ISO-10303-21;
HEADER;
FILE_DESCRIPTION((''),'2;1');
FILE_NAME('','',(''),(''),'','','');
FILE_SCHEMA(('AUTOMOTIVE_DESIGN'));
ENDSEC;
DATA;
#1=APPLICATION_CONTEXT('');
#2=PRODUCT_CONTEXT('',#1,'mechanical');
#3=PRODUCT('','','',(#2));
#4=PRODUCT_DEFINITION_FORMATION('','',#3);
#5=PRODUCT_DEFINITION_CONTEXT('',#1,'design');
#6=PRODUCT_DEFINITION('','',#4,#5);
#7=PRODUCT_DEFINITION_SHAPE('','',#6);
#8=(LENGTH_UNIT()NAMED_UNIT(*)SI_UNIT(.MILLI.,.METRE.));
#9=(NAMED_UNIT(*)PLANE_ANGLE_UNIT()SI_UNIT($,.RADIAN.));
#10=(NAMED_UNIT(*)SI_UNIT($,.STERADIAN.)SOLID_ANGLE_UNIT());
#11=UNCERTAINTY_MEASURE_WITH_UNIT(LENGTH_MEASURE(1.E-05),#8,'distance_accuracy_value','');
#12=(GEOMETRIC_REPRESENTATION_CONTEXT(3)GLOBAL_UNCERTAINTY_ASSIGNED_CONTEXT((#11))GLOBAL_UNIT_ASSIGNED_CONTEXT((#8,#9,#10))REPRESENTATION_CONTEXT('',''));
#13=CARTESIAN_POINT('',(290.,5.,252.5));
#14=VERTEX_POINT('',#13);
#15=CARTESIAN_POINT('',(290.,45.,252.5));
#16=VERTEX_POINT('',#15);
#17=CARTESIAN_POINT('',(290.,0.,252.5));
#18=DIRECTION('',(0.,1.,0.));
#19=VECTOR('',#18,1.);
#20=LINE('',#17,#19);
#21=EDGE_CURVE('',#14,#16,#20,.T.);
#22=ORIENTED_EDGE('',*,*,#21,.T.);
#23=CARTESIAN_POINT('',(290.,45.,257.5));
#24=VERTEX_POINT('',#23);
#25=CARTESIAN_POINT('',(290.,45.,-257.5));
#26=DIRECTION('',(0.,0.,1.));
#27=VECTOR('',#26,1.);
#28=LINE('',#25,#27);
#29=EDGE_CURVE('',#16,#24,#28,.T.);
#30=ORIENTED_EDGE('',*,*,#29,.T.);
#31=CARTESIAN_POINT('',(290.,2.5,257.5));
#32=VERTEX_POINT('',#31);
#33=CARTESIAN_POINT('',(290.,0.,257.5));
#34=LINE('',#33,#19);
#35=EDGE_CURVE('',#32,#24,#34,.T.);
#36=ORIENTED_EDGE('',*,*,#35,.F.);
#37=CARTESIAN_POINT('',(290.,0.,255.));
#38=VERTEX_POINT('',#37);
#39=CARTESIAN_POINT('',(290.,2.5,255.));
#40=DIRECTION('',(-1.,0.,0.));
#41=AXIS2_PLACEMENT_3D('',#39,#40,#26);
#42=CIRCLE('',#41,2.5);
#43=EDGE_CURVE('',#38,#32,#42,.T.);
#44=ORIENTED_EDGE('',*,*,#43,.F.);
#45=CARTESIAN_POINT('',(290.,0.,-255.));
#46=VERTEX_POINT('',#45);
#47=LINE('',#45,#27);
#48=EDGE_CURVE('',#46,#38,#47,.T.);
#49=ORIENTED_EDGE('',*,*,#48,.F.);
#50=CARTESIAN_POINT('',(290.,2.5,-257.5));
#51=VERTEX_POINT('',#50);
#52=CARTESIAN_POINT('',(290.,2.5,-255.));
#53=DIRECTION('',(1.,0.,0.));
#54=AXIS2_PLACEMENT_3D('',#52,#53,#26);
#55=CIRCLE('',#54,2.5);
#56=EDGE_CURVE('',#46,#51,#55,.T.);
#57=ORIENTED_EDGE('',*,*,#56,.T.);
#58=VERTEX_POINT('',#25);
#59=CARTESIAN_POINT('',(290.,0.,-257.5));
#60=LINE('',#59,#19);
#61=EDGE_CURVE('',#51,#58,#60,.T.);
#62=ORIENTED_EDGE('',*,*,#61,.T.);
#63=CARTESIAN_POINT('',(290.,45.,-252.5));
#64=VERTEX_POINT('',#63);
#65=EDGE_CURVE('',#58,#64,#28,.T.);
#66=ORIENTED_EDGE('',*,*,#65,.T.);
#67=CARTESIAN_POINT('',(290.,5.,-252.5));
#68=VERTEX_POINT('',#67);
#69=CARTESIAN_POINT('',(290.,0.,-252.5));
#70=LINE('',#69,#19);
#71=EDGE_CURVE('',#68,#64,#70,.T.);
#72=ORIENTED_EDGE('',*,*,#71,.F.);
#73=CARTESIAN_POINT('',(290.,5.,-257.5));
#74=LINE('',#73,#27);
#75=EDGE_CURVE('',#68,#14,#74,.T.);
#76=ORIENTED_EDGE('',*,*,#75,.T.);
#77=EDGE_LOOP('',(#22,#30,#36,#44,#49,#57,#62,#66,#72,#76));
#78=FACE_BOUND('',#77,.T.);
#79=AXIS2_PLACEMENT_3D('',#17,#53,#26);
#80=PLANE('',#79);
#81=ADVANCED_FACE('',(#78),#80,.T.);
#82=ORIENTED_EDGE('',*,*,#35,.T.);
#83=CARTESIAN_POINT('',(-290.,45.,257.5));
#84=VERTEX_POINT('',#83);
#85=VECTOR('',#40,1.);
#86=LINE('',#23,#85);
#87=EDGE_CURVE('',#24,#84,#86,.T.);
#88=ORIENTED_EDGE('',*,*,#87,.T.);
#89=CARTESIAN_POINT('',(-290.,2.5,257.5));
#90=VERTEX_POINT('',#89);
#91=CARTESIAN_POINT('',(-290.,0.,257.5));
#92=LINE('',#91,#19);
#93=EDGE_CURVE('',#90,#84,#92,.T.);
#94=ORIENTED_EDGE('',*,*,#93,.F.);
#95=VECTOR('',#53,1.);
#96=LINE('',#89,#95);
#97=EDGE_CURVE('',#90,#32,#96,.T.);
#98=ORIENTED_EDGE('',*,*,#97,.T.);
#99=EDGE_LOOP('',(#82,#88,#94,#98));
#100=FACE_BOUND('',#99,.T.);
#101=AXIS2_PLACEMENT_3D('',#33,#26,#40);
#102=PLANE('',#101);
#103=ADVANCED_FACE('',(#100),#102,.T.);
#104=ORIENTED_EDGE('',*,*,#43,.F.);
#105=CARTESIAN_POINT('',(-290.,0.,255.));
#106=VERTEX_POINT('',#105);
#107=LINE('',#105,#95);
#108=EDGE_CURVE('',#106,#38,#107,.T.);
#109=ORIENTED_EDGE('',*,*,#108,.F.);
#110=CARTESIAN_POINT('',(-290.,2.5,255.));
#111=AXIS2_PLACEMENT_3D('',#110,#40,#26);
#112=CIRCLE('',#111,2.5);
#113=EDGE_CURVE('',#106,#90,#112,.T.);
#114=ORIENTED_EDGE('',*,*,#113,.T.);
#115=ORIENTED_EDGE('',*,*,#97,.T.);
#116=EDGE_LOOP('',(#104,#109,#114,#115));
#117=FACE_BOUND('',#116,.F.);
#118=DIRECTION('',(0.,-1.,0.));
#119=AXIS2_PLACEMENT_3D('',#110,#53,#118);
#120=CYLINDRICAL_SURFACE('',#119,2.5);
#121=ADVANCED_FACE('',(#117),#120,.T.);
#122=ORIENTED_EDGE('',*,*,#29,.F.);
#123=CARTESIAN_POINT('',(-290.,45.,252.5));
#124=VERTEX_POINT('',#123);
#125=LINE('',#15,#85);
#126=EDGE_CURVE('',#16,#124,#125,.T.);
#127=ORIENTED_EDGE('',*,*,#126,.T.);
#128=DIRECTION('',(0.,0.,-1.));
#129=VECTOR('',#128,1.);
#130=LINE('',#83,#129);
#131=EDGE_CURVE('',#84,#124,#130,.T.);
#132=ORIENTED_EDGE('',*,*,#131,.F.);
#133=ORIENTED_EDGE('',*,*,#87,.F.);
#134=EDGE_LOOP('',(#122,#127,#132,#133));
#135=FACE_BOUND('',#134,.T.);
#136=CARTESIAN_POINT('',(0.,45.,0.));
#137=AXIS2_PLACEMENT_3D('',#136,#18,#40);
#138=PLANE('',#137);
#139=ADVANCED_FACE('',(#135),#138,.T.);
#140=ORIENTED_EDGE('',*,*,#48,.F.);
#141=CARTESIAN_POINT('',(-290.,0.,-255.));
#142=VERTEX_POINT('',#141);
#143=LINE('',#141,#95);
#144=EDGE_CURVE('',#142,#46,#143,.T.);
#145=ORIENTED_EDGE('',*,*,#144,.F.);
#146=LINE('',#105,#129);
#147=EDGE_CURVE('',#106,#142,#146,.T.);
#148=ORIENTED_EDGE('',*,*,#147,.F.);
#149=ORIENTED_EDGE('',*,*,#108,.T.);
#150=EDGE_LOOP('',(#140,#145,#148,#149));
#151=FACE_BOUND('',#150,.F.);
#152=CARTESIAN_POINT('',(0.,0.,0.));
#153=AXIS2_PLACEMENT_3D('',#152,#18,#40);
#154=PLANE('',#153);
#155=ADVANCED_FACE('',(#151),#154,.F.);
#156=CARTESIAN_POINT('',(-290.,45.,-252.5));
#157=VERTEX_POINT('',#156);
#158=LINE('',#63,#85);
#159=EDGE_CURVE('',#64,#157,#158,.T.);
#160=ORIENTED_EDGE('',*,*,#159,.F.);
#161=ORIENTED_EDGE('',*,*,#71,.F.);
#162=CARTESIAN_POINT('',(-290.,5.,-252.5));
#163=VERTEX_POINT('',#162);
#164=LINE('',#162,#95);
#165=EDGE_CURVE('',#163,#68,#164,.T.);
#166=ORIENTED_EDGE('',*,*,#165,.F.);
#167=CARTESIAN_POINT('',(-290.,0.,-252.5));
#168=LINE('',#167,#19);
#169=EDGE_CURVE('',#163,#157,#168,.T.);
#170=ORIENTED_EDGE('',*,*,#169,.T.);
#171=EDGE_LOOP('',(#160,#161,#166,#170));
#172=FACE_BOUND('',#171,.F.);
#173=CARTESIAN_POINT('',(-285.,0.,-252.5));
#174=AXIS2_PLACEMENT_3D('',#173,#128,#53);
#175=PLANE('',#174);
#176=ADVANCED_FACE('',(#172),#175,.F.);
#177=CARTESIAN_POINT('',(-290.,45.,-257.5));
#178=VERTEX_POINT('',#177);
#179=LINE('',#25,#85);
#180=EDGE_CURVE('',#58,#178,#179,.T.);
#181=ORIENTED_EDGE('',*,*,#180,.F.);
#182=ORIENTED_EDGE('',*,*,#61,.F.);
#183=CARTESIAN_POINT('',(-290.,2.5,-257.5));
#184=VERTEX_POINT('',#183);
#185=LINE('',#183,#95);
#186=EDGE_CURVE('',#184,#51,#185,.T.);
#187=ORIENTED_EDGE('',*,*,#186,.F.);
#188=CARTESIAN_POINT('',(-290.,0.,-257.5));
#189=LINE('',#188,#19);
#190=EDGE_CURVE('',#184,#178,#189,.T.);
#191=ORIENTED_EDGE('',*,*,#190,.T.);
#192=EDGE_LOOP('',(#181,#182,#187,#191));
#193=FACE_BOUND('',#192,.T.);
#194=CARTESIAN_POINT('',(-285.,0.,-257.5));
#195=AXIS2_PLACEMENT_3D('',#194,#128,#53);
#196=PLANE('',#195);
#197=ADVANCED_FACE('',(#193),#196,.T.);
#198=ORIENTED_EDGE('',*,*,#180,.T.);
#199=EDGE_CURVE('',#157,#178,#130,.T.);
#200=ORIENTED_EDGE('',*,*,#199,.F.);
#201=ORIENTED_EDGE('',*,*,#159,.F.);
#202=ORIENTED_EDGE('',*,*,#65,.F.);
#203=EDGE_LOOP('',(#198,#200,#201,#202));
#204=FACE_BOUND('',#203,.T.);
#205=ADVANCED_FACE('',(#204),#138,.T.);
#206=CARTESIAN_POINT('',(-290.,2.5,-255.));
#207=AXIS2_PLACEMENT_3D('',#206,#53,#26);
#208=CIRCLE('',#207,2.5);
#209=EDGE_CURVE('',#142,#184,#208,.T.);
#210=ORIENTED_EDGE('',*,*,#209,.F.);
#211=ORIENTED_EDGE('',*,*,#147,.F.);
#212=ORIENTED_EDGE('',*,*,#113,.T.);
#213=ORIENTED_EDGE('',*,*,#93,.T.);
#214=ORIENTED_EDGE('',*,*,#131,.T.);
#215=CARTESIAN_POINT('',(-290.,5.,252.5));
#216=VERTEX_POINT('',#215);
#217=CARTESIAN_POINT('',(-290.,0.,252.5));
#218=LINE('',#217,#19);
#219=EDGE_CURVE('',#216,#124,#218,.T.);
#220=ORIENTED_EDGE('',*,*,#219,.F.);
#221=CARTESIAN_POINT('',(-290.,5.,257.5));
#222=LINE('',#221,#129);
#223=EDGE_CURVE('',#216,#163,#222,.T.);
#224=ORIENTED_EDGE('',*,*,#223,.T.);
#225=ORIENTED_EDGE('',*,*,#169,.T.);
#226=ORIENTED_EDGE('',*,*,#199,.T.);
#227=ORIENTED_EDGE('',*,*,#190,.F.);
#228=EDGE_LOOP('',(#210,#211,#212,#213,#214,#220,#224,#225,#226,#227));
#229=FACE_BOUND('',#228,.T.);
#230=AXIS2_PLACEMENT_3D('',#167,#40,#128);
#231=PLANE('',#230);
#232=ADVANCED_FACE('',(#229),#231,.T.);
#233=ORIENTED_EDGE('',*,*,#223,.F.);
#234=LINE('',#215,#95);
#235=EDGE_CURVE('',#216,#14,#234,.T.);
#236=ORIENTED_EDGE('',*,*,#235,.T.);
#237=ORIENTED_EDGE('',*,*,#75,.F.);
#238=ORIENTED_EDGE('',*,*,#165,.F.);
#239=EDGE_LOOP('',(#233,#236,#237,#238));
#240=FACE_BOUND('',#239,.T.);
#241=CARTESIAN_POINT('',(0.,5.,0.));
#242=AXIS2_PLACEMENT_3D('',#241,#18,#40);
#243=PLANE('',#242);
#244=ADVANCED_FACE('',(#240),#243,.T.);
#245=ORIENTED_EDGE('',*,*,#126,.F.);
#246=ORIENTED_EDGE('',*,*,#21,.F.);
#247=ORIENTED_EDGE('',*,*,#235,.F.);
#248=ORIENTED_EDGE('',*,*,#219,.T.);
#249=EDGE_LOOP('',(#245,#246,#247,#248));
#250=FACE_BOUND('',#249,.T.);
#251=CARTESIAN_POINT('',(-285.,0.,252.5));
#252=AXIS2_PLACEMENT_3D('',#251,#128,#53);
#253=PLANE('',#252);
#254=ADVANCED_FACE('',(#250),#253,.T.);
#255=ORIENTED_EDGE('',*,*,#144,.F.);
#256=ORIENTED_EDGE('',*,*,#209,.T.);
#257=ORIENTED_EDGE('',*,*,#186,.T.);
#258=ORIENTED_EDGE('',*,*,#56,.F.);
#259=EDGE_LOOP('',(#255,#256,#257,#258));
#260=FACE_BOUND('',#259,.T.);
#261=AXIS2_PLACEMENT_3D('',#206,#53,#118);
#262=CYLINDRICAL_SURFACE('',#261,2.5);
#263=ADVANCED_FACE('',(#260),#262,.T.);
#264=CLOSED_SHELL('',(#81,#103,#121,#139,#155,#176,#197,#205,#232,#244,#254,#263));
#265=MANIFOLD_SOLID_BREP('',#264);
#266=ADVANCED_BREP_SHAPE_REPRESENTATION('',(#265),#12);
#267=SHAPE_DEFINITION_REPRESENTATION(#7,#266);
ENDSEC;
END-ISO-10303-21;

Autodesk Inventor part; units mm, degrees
ref_plane "YZ Plane" through (0, 0, 0) normal (1, 0, 0) x (0, 1, 0)
ref_plane "XZ Plane" through (0, 0, 0) normal (0, 1, 0) x (-1, 0, 0)
ref_plane "XY Plane" through (0, 0, 0) normal (0, 0, 1) x (1, 0, 0)
sketch "スケッチ1" plane through (0, 0, 0) normal (0, 1, 0) x (-1, 0, 0)
  line L0 (-290, 257.5) -> (290, 257.5)
  line L1 (290, 257.5) -> (290, -257.5)
  line L2 (290, -257.5) -> (-290, -257.5)
  line L3 (-290, -257.5) -> (-290, 257.5)
  line L4 (-290, 257.5) -> (290, -257.5) construction
  line L5 (290, 257.5) -> (-290, -257.5) construction
  line L6 (285, 257.5) -> (285, -257.5)
  line L7 (290, -252.5) -> (-290, -252.5)
  line L8 (290, 252.5) -> (-290, 252.5)
  point P0 (0, 0)
  dimension "d0" = 580
  dimension "d1" = 515
  dimension "d2" = 5
  dimension "d3" = 5
  dimension "d4" = 5
extrude "押し出し1" add sketch "スケッチ1" along normal blind 45 contours L0 L6 L8 L3 | L0 L1 L8 L6 | L7 L6 L2 L3 | L7 L1 L2 L6
extrude "押し出し2" add sketch "スケッチ1" along normal blind 5 contours L0 L6 L8 L3 | L8 L6 L7 L3 | L7 L6 L2 L3
fillet "フィレット1" radius 2.5 1 edges at (0, 0, -257.5)
fillet "フィレット2" radius 2.5 1 edges at (0, 0, 257.5)
extrude "押し出し3" add sketch "スケッチ1" along normal blind 5 contours L8 L6 L7 L3 | L8 L1 L7 L6
properties part number "controller_table" material "ステンレス鋼"
